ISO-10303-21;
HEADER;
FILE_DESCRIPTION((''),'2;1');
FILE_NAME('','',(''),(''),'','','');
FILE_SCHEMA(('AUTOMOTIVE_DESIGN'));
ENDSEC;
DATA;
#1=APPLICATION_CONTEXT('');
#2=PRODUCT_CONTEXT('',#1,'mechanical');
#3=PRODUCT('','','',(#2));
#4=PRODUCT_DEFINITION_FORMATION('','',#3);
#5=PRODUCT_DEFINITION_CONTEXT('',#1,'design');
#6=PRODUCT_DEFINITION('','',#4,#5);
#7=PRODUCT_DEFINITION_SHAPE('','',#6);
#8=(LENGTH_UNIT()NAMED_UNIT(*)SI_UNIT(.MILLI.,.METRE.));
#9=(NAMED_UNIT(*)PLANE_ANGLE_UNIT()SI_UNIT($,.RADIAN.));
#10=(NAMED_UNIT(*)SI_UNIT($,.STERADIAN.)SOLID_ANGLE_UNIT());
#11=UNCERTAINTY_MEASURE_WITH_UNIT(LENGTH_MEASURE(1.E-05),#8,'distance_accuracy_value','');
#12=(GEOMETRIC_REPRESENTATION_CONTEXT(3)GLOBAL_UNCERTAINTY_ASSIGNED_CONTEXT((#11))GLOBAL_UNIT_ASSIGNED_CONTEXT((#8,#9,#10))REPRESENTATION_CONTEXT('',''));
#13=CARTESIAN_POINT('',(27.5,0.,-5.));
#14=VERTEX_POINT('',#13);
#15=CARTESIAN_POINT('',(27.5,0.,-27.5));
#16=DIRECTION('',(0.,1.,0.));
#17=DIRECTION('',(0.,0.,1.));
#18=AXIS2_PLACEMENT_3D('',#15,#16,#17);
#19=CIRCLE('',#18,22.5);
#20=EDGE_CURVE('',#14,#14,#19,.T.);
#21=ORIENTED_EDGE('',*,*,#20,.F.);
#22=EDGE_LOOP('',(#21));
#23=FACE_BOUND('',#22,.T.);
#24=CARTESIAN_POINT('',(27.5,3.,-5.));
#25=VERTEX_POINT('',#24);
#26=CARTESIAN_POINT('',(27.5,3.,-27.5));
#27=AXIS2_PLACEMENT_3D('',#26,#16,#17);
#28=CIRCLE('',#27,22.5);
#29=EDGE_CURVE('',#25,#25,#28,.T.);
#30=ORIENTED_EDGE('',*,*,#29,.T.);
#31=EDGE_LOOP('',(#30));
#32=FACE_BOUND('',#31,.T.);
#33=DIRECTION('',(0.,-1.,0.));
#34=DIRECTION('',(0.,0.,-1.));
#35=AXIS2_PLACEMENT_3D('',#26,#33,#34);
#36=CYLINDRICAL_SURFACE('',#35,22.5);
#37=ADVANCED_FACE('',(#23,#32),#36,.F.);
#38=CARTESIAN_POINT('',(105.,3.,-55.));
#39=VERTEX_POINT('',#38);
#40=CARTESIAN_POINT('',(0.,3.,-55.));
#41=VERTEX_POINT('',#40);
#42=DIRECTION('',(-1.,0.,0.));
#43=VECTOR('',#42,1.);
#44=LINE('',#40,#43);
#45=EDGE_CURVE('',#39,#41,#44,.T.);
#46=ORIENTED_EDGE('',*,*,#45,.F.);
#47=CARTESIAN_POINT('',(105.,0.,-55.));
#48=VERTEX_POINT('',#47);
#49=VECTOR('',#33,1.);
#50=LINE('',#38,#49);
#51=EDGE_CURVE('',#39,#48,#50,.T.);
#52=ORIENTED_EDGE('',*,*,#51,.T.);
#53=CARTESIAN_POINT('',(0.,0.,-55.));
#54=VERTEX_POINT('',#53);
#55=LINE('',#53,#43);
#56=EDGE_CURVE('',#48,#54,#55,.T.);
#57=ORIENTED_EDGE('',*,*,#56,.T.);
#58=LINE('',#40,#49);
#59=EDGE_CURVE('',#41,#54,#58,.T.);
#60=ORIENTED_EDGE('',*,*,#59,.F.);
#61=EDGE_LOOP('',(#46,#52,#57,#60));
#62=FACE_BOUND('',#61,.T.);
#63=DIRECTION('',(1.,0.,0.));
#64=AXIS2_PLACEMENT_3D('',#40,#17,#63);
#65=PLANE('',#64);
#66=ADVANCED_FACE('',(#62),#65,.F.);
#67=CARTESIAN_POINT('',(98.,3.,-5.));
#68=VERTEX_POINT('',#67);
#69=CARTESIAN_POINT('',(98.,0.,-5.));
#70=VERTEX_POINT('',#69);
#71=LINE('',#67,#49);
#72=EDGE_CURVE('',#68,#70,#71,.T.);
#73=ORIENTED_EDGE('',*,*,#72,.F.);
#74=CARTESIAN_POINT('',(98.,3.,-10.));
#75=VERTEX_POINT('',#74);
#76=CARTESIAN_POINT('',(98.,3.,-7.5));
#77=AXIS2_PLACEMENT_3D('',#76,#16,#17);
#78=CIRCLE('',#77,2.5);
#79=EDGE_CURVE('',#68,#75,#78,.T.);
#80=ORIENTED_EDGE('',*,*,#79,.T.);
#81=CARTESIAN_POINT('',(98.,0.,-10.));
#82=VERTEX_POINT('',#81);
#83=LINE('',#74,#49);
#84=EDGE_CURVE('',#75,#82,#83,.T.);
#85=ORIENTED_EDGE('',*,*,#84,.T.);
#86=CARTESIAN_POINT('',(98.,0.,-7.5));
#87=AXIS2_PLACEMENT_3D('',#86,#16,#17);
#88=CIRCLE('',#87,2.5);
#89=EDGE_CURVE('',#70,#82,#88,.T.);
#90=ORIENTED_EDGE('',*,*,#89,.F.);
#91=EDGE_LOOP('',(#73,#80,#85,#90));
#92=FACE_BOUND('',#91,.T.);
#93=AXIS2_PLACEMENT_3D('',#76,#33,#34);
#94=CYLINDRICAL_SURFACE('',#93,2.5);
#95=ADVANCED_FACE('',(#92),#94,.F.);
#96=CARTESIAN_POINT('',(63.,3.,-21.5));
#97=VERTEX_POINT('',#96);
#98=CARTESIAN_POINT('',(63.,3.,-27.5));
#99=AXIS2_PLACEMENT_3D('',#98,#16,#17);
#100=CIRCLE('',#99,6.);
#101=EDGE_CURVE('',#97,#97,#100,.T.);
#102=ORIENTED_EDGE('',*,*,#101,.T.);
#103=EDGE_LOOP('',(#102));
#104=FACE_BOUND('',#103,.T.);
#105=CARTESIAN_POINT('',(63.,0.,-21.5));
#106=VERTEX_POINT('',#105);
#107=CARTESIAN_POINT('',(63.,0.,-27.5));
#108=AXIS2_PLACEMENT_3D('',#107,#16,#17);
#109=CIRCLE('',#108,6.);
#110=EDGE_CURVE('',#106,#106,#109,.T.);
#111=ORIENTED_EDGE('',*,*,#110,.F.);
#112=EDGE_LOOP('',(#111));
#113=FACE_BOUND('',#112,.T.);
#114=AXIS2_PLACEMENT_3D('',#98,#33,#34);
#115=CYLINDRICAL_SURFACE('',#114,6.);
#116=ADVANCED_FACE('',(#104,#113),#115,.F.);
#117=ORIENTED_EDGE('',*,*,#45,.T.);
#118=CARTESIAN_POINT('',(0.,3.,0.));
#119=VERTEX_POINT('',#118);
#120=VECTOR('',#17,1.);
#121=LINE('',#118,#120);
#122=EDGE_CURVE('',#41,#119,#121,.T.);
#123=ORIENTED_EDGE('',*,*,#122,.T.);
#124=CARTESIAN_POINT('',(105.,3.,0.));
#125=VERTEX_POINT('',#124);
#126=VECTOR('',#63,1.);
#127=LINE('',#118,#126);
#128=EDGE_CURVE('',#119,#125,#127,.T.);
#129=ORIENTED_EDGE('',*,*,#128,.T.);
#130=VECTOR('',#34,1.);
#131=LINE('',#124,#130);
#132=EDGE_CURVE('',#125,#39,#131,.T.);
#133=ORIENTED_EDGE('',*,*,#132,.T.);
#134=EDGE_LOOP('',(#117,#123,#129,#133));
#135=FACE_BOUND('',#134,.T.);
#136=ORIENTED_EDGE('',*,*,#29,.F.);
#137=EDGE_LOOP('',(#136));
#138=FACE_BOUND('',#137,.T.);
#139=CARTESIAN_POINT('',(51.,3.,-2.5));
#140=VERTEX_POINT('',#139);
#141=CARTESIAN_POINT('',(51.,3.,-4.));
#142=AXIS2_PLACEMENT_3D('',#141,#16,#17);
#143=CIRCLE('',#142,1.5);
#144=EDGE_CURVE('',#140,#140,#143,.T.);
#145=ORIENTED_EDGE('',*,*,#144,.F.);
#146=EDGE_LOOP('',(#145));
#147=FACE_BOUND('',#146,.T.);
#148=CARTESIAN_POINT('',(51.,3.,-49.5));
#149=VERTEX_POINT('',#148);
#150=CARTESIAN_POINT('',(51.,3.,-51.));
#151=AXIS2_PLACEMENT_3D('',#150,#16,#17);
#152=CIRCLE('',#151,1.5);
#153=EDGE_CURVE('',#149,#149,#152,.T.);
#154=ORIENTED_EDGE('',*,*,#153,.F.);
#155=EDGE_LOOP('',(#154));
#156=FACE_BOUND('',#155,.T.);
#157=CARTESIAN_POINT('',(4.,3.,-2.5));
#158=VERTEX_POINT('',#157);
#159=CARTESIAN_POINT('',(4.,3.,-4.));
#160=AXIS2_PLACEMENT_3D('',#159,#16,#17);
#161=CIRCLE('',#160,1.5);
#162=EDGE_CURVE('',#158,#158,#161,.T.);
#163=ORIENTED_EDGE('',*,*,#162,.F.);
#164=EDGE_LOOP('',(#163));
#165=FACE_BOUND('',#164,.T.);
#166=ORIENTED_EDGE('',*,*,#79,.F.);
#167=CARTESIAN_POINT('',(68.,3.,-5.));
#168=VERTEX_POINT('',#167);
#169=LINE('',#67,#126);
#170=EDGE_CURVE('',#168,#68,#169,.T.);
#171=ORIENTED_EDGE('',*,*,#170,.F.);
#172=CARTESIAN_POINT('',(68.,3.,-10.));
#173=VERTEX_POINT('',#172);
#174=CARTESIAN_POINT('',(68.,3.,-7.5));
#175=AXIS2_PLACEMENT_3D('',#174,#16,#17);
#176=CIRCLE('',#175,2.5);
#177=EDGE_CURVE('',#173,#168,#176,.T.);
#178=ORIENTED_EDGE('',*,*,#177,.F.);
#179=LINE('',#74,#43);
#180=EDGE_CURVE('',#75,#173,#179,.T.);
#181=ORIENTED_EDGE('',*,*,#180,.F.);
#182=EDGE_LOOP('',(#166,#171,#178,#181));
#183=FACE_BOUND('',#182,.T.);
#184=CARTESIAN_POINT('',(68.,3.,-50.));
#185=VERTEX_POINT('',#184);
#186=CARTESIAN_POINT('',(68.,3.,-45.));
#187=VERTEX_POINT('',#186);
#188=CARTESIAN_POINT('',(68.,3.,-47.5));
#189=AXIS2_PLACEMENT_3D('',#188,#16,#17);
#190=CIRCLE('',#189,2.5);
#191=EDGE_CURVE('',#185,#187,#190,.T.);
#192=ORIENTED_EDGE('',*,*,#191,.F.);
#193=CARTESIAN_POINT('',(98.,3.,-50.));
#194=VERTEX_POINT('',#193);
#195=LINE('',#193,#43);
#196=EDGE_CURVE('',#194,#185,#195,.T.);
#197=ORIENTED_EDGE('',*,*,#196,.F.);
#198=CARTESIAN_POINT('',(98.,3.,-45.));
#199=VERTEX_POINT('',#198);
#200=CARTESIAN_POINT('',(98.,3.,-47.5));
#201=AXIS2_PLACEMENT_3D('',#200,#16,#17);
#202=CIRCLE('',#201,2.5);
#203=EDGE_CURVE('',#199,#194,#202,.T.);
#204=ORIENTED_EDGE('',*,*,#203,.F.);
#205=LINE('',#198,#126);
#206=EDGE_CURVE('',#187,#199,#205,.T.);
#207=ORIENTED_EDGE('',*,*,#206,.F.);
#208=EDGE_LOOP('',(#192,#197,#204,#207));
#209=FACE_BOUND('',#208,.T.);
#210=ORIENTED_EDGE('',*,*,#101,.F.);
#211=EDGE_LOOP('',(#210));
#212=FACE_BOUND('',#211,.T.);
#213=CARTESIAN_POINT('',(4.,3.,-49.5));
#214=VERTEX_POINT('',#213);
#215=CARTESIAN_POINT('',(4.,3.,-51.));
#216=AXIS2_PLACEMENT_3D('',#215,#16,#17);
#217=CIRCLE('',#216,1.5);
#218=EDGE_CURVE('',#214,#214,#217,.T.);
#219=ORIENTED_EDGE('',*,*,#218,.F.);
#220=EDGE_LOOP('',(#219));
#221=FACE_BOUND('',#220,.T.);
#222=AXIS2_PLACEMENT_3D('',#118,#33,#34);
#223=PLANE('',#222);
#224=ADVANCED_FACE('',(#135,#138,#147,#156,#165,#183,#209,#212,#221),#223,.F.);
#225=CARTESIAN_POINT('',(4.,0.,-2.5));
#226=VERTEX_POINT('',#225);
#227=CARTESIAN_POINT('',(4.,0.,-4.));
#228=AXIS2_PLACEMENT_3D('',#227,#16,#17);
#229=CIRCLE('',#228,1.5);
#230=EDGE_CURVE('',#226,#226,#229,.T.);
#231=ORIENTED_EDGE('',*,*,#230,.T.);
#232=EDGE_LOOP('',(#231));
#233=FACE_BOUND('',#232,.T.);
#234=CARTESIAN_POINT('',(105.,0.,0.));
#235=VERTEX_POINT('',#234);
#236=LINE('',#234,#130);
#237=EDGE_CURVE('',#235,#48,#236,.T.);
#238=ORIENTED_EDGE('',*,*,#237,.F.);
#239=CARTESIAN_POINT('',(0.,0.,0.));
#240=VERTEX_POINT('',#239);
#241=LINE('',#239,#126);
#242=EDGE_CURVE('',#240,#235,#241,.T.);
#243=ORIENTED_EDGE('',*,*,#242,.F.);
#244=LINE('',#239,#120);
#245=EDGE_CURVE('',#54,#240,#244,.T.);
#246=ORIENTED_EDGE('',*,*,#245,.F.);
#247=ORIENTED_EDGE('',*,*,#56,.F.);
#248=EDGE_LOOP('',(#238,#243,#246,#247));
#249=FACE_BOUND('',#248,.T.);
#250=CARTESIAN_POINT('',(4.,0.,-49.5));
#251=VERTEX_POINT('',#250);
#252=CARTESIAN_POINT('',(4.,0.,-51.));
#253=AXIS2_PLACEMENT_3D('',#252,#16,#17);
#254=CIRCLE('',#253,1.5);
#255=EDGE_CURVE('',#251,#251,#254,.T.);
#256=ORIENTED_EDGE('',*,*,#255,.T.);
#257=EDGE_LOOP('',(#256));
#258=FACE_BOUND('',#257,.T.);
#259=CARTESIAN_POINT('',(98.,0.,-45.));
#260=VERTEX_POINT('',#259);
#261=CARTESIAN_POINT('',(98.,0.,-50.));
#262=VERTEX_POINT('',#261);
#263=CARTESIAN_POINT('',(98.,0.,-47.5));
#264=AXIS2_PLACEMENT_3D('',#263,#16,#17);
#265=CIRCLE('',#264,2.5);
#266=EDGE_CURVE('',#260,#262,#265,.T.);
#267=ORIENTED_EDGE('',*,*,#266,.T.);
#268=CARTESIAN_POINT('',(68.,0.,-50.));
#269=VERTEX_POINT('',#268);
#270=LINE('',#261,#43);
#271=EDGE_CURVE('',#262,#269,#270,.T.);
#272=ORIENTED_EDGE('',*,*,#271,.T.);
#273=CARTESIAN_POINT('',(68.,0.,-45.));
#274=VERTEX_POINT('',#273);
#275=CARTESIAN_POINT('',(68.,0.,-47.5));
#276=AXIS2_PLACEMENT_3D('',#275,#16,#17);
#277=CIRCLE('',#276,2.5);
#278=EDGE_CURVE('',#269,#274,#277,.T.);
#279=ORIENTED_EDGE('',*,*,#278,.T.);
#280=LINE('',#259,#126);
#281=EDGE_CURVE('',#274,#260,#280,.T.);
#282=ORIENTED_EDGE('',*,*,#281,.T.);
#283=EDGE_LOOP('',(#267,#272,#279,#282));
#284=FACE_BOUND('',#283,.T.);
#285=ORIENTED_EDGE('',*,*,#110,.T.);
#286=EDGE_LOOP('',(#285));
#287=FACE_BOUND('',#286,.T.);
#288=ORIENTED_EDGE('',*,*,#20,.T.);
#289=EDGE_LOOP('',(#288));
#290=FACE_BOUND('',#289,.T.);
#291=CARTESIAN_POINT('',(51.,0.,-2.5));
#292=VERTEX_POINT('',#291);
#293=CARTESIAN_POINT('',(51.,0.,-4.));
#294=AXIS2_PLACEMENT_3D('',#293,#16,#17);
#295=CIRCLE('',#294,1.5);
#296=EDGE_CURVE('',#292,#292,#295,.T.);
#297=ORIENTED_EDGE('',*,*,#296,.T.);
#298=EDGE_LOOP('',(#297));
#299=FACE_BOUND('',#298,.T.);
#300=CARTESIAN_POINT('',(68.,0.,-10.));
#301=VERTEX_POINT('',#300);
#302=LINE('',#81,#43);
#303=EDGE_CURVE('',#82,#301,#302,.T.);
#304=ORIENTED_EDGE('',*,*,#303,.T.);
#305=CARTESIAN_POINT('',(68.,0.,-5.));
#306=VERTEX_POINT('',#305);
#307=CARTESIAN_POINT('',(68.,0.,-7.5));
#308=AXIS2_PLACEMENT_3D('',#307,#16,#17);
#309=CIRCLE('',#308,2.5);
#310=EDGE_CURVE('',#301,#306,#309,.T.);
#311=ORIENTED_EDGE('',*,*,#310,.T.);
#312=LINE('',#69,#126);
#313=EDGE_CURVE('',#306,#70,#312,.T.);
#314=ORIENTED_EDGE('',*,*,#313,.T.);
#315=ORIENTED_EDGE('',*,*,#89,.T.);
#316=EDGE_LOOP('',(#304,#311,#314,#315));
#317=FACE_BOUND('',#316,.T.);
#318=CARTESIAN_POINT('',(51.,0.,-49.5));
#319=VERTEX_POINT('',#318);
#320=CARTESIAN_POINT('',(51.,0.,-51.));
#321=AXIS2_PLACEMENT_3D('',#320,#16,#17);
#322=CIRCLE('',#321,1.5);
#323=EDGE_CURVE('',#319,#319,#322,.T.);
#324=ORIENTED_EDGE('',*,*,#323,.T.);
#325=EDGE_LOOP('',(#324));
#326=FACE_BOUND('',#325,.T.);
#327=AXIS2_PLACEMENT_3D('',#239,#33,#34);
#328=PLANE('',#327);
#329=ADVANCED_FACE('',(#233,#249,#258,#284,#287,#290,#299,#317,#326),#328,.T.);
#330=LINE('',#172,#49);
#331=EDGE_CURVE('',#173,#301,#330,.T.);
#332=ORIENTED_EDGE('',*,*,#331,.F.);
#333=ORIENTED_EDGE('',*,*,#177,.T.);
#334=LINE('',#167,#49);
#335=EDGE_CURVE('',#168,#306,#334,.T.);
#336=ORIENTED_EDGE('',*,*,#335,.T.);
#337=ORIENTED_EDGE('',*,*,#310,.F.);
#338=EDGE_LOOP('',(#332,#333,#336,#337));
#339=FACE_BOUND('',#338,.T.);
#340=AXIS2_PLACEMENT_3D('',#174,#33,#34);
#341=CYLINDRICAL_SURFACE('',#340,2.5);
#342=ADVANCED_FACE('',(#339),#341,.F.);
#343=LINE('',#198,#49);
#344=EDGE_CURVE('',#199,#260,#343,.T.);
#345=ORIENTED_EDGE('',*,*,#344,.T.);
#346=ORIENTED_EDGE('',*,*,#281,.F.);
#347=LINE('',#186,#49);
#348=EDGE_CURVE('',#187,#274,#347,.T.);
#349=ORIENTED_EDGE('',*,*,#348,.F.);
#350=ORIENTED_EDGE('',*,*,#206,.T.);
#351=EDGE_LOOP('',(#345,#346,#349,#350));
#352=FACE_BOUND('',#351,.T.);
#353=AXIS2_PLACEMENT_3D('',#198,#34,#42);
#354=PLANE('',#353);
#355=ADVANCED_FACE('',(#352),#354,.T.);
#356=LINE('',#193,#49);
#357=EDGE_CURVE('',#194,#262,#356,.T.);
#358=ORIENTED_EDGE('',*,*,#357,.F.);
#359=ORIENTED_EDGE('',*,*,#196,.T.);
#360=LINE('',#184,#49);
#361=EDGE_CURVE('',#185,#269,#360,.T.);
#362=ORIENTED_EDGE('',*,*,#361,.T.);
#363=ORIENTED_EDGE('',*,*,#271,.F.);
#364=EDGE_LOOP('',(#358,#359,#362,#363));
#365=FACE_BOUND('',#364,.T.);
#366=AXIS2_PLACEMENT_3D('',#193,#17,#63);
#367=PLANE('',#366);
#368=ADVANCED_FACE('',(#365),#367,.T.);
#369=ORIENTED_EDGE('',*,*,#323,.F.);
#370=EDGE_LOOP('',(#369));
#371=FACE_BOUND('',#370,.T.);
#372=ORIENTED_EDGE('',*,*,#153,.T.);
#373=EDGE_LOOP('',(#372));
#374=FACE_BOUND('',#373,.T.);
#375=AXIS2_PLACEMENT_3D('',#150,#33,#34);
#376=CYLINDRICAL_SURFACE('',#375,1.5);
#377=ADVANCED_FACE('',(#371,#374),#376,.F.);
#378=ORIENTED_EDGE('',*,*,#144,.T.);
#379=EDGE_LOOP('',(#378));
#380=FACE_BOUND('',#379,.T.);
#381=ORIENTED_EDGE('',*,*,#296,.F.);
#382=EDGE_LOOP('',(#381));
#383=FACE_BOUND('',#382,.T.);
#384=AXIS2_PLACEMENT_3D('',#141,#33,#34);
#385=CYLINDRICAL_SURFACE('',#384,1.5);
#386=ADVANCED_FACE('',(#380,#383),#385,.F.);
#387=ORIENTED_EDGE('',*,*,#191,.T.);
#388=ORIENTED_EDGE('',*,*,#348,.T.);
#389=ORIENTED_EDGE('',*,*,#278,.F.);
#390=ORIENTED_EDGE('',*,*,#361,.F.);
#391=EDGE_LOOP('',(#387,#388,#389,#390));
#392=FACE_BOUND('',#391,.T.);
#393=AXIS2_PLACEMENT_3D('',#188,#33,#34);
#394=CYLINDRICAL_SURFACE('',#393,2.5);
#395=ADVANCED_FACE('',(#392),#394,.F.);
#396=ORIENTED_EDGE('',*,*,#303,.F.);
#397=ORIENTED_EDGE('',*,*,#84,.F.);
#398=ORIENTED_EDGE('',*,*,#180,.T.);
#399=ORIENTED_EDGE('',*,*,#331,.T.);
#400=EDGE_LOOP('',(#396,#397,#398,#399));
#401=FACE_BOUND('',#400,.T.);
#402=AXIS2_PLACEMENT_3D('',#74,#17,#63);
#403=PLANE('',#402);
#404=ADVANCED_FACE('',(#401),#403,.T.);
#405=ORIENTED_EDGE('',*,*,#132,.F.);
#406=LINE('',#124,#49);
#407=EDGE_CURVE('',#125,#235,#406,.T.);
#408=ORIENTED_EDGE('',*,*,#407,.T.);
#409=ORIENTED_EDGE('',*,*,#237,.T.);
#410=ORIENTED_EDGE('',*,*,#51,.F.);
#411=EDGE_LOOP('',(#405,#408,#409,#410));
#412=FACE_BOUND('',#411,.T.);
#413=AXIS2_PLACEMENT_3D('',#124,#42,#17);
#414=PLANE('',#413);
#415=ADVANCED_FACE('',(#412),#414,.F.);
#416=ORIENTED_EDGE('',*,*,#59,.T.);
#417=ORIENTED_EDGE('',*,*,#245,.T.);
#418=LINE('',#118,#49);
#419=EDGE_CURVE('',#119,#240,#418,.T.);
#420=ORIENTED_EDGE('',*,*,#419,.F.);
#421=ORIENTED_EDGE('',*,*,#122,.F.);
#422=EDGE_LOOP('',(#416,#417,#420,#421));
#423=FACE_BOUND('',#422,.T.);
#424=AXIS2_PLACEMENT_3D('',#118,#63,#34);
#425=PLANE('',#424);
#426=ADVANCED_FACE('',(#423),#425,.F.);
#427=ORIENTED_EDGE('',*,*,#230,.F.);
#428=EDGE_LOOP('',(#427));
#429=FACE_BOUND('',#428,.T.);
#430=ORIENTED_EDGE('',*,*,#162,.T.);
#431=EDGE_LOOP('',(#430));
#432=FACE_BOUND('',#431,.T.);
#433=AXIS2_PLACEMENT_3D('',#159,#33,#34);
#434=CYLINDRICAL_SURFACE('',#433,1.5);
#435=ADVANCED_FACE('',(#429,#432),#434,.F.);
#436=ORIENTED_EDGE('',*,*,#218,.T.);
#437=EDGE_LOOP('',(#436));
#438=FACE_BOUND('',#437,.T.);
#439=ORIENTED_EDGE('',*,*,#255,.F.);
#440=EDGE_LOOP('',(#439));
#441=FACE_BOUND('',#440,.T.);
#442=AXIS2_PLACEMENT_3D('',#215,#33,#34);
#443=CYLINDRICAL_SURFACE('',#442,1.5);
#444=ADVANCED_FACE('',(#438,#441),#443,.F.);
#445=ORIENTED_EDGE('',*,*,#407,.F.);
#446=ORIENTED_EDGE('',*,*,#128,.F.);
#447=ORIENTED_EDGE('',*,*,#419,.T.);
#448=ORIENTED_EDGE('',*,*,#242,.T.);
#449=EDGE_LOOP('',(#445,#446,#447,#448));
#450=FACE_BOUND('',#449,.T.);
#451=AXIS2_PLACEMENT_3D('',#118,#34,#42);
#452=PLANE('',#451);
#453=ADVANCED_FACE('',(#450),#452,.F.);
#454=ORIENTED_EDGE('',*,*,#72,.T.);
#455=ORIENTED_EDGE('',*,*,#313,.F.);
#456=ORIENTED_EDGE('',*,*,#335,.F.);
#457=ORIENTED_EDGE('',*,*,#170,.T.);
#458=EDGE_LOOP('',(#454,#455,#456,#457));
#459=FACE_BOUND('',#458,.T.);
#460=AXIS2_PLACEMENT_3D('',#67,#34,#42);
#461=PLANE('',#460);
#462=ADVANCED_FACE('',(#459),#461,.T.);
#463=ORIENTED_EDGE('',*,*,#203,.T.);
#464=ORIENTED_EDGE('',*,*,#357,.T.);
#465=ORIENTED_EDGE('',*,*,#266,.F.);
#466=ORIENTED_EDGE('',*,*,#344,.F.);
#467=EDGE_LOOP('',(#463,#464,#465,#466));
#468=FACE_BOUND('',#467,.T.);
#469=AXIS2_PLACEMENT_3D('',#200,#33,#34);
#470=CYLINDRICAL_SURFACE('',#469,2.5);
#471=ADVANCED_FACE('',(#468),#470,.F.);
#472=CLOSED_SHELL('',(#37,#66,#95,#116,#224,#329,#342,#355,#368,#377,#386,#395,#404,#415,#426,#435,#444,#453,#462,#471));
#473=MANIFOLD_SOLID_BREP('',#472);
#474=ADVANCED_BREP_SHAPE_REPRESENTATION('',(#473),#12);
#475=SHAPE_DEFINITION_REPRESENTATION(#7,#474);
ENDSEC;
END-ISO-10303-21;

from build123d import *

# Parameters (mm, degrees)
SKETCH1_W           = 105
SKETCH1_H           = 55
SKETCH1_R           = 22.5
SKETCH1_R_2         = 6
SKETCH1_R_3         = 1.5
BOSS_EXTRUDE1_DEPTH = 3


with BuildPart() as part:
    # Sketch1 → Boss-Extrude1 (new body)
    with BuildSketch(Plane(origin=(0, 0, 0), x_dir=(1, 0, 0), z_dir=(0, 1, 0))):
        with Locations((52.5, 27.5)):
            Rectangle(SKETCH1_W, SKETCH1_H)
        with Locations((27.5, 27.5)):
            Circle(SKETCH1_R, mode=Mode.SUBTRACT)
        with Locations((63, 27.5)):
            Circle(SKETCH1_R_2, mode=Mode.SUBTRACT)
        with Locations((4, 4)):
            Circle(SKETCH1_R_3, mode=Mode.SUBTRACT)
        with Locations((51, 4)):
            Circle(SKETCH1_R_3, mode=Mode.SUBTRACT)
        with Locations((51, 51)):
            Circle(SKETCH1_R_3, mode=Mode.SUBTRACT)
        with Locations((4, 51)):
            Circle(SKETCH1_R_3, mode=Mode.SUBTRACT)
        with BuildLine():
            Line((98, 45), (68, 45))
            ThreePointArc((68, 45), (65.5, 47.5), (68, 50))
            Line((68, 50), (98, 50))
            ThreePointArc((98, 50), (100.5, 47.5), (98, 45))
        make_face(mode=Mode.SUBTRACT)
        with BuildLine():
            Line((98, 5), (68, 5))
            ThreePointArc((68, 5), (65.5, 7.5), (68, 10))
            Line((68, 10), (98, 10))
            ThreePointArc((98, 10), (100.5, 7.5), (98, 5))
        make_face(mode=Mode.SUBTRACT)
    extrude(amount=BOSS_EXTRUDE1_DEPTH)


solid = part.part
